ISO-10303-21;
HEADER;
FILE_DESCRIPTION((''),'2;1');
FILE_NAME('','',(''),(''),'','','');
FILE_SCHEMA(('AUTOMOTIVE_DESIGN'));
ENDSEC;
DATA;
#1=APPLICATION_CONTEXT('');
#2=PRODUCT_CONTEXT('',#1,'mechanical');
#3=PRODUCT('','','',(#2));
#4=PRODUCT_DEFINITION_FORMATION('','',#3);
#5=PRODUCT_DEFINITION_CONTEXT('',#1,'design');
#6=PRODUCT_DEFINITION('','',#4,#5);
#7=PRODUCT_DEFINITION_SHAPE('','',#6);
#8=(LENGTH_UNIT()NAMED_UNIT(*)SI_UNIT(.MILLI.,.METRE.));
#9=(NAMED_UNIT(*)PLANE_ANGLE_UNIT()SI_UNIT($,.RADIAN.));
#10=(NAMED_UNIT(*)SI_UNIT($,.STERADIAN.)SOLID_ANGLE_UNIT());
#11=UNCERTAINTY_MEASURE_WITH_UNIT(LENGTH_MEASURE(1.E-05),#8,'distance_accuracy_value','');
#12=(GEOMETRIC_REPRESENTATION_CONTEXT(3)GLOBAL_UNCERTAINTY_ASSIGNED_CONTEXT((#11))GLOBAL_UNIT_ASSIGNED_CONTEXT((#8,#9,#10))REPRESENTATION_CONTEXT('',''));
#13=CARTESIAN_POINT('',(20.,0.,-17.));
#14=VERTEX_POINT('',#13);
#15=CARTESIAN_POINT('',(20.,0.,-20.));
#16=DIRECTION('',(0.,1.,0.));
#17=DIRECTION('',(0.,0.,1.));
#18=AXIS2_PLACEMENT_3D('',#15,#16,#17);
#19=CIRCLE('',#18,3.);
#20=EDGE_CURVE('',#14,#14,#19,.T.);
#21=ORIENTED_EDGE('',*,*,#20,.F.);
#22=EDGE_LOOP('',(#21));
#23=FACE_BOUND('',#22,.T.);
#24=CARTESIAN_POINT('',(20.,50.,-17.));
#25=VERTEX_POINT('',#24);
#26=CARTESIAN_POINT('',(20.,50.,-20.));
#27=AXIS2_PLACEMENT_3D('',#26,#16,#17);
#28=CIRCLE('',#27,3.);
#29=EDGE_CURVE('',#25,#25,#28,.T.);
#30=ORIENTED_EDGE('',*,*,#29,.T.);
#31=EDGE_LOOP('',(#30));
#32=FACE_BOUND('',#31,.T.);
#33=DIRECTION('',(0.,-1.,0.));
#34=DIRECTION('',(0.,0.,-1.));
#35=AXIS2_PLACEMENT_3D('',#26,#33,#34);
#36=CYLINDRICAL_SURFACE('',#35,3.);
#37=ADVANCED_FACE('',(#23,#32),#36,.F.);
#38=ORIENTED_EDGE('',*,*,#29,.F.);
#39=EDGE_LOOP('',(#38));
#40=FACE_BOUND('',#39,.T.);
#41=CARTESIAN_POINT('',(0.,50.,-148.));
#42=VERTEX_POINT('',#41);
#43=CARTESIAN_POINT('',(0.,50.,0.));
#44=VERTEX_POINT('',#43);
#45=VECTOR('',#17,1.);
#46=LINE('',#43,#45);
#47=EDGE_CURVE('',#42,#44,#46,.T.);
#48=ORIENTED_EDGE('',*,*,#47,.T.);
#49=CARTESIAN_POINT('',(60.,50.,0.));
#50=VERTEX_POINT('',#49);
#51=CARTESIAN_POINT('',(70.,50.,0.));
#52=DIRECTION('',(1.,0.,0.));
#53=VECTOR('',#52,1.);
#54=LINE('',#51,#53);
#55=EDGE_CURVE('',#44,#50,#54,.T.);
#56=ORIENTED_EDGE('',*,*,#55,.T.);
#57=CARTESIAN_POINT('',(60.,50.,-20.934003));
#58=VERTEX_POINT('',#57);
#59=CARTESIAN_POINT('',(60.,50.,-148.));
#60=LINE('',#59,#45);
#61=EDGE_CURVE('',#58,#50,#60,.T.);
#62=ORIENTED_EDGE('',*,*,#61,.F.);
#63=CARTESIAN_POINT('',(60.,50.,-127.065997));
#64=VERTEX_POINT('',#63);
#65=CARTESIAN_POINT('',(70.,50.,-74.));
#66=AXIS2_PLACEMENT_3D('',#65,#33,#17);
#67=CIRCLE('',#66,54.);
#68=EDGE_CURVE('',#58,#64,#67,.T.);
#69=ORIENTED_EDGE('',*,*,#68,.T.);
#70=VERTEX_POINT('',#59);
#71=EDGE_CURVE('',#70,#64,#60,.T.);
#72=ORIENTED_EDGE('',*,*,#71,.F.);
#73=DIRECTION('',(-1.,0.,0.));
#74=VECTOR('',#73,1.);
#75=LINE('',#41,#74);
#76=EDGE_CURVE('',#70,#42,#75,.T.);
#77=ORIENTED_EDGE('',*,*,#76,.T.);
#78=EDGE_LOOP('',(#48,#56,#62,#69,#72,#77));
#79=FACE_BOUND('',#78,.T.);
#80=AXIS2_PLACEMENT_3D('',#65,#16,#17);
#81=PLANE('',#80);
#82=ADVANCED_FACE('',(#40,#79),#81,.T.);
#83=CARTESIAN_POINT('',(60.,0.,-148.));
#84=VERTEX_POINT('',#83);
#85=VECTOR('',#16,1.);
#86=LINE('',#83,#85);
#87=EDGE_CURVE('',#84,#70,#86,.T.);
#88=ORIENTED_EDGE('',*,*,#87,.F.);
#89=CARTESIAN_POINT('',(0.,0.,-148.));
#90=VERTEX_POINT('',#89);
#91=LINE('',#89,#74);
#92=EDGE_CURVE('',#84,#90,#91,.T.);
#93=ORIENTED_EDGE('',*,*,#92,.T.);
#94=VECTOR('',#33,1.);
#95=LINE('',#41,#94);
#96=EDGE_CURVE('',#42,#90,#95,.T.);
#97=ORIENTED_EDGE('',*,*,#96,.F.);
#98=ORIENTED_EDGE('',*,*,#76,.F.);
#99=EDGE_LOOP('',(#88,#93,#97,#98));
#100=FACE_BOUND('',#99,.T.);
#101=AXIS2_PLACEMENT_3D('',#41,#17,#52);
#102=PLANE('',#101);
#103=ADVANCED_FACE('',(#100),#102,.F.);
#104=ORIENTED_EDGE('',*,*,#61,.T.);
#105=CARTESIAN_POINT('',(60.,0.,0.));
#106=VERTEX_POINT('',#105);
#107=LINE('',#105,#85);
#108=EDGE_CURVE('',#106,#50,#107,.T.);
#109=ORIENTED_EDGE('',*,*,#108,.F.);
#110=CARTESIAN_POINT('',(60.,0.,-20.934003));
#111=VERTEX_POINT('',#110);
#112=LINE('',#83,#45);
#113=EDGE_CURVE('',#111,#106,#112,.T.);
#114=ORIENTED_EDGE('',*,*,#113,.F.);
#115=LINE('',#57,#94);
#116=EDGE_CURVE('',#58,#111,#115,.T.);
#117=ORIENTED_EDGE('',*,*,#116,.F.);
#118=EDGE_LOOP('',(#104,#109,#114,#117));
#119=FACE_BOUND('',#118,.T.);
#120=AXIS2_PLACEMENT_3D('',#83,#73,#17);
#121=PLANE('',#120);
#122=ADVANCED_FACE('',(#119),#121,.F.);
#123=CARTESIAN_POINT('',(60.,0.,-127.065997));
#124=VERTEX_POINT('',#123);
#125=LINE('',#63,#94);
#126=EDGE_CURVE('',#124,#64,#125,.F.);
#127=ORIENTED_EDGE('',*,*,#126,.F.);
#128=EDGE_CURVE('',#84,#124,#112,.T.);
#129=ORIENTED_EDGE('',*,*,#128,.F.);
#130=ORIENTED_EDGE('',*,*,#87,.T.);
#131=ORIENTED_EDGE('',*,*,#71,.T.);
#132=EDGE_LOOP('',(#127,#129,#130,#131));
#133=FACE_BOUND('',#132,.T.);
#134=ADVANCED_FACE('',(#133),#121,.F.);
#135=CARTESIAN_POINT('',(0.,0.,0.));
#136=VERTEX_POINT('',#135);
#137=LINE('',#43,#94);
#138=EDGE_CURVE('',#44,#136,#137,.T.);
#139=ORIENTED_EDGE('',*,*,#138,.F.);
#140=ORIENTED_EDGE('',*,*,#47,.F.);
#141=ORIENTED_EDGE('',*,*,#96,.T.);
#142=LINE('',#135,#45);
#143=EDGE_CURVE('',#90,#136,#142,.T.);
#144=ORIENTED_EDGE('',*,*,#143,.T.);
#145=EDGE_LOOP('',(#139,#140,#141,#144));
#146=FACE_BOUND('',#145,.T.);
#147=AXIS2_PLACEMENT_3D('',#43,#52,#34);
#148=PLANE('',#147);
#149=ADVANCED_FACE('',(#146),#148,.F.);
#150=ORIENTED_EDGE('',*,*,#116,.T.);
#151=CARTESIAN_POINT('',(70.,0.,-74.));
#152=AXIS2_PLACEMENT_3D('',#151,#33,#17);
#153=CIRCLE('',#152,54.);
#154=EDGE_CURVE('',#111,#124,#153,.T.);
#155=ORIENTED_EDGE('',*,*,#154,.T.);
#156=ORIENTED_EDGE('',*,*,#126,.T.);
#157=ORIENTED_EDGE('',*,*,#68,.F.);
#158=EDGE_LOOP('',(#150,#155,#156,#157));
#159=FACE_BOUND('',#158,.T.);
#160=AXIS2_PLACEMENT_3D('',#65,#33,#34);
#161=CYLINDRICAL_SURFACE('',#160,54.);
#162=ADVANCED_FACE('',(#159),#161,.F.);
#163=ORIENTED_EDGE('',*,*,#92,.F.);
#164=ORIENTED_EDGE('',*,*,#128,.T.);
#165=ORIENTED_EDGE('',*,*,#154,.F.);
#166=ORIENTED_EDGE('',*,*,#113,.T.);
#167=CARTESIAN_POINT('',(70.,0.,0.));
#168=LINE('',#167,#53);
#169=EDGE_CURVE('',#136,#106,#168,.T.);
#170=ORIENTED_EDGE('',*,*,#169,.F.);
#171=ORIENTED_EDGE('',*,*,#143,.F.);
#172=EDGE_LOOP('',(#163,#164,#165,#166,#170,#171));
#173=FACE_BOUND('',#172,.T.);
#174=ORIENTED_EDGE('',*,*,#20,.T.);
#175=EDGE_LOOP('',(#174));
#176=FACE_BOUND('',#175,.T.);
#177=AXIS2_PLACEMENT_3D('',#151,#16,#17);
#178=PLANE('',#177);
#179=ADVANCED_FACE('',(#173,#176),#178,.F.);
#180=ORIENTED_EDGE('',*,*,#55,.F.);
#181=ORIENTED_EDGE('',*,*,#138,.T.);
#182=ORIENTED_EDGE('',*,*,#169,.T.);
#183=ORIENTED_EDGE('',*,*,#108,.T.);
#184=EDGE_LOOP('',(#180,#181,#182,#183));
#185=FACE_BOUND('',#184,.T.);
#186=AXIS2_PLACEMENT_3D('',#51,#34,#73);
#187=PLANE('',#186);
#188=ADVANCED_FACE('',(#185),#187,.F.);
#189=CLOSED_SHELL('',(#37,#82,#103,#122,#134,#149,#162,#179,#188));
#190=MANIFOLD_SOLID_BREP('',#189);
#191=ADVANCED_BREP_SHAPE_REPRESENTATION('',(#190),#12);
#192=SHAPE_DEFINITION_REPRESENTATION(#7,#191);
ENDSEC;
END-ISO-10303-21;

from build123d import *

# Parameters (mm, degrees)
SKETCH1_R           = 3
BOSS_EXTRUDE1_DEPTH = 50
SKETCH2_W           = 10
SKETCH2_H           = 148
CUT_EXTRUDE1_DEPTH  = 172.184111412


with BuildPart() as part:
    # Sketch1 → Boss-Extrude1 (new body)
    with BuildSketch(Plane(origin=(0, 0, 0), x_dir=(1, 0, 0), z_dir=(0, 1, 0))):
        with BuildLine():
            Line((0, 0), (0, 148))
            Line((0, 148), (70, 148))
            Line((70, 148), (70, 128))
            ThreePointArc((70, 128), (16, 74), (70, 20))
            Line((70, 20), (70, 0))
            Line((70, 0), (0, 0))
        make_face()
        with Locations(Location((20, 20, 0), (0, 0, 270))):
            Circle(SKETCH1_R, mode=Mode.SUBTRACT)
    extrude(amount=BOSS_EXTRUDE1_DEPTH)

    # Sketch2 → Cut-Extrude1 (cut, through all)
    with BuildSketch(Plane(origin=(0, 50, 0), x_dir=(1, 0, 0), z_dir=(0, 1, 0))):
        with Locations((65, 74)):
            Rectangle(SKETCH2_W, SKETCH2_H)
    extrude(amount=-CUT_EXTRUDE1_DEPTH, mode=Mode.SUBTRACT)


solid = part.part
